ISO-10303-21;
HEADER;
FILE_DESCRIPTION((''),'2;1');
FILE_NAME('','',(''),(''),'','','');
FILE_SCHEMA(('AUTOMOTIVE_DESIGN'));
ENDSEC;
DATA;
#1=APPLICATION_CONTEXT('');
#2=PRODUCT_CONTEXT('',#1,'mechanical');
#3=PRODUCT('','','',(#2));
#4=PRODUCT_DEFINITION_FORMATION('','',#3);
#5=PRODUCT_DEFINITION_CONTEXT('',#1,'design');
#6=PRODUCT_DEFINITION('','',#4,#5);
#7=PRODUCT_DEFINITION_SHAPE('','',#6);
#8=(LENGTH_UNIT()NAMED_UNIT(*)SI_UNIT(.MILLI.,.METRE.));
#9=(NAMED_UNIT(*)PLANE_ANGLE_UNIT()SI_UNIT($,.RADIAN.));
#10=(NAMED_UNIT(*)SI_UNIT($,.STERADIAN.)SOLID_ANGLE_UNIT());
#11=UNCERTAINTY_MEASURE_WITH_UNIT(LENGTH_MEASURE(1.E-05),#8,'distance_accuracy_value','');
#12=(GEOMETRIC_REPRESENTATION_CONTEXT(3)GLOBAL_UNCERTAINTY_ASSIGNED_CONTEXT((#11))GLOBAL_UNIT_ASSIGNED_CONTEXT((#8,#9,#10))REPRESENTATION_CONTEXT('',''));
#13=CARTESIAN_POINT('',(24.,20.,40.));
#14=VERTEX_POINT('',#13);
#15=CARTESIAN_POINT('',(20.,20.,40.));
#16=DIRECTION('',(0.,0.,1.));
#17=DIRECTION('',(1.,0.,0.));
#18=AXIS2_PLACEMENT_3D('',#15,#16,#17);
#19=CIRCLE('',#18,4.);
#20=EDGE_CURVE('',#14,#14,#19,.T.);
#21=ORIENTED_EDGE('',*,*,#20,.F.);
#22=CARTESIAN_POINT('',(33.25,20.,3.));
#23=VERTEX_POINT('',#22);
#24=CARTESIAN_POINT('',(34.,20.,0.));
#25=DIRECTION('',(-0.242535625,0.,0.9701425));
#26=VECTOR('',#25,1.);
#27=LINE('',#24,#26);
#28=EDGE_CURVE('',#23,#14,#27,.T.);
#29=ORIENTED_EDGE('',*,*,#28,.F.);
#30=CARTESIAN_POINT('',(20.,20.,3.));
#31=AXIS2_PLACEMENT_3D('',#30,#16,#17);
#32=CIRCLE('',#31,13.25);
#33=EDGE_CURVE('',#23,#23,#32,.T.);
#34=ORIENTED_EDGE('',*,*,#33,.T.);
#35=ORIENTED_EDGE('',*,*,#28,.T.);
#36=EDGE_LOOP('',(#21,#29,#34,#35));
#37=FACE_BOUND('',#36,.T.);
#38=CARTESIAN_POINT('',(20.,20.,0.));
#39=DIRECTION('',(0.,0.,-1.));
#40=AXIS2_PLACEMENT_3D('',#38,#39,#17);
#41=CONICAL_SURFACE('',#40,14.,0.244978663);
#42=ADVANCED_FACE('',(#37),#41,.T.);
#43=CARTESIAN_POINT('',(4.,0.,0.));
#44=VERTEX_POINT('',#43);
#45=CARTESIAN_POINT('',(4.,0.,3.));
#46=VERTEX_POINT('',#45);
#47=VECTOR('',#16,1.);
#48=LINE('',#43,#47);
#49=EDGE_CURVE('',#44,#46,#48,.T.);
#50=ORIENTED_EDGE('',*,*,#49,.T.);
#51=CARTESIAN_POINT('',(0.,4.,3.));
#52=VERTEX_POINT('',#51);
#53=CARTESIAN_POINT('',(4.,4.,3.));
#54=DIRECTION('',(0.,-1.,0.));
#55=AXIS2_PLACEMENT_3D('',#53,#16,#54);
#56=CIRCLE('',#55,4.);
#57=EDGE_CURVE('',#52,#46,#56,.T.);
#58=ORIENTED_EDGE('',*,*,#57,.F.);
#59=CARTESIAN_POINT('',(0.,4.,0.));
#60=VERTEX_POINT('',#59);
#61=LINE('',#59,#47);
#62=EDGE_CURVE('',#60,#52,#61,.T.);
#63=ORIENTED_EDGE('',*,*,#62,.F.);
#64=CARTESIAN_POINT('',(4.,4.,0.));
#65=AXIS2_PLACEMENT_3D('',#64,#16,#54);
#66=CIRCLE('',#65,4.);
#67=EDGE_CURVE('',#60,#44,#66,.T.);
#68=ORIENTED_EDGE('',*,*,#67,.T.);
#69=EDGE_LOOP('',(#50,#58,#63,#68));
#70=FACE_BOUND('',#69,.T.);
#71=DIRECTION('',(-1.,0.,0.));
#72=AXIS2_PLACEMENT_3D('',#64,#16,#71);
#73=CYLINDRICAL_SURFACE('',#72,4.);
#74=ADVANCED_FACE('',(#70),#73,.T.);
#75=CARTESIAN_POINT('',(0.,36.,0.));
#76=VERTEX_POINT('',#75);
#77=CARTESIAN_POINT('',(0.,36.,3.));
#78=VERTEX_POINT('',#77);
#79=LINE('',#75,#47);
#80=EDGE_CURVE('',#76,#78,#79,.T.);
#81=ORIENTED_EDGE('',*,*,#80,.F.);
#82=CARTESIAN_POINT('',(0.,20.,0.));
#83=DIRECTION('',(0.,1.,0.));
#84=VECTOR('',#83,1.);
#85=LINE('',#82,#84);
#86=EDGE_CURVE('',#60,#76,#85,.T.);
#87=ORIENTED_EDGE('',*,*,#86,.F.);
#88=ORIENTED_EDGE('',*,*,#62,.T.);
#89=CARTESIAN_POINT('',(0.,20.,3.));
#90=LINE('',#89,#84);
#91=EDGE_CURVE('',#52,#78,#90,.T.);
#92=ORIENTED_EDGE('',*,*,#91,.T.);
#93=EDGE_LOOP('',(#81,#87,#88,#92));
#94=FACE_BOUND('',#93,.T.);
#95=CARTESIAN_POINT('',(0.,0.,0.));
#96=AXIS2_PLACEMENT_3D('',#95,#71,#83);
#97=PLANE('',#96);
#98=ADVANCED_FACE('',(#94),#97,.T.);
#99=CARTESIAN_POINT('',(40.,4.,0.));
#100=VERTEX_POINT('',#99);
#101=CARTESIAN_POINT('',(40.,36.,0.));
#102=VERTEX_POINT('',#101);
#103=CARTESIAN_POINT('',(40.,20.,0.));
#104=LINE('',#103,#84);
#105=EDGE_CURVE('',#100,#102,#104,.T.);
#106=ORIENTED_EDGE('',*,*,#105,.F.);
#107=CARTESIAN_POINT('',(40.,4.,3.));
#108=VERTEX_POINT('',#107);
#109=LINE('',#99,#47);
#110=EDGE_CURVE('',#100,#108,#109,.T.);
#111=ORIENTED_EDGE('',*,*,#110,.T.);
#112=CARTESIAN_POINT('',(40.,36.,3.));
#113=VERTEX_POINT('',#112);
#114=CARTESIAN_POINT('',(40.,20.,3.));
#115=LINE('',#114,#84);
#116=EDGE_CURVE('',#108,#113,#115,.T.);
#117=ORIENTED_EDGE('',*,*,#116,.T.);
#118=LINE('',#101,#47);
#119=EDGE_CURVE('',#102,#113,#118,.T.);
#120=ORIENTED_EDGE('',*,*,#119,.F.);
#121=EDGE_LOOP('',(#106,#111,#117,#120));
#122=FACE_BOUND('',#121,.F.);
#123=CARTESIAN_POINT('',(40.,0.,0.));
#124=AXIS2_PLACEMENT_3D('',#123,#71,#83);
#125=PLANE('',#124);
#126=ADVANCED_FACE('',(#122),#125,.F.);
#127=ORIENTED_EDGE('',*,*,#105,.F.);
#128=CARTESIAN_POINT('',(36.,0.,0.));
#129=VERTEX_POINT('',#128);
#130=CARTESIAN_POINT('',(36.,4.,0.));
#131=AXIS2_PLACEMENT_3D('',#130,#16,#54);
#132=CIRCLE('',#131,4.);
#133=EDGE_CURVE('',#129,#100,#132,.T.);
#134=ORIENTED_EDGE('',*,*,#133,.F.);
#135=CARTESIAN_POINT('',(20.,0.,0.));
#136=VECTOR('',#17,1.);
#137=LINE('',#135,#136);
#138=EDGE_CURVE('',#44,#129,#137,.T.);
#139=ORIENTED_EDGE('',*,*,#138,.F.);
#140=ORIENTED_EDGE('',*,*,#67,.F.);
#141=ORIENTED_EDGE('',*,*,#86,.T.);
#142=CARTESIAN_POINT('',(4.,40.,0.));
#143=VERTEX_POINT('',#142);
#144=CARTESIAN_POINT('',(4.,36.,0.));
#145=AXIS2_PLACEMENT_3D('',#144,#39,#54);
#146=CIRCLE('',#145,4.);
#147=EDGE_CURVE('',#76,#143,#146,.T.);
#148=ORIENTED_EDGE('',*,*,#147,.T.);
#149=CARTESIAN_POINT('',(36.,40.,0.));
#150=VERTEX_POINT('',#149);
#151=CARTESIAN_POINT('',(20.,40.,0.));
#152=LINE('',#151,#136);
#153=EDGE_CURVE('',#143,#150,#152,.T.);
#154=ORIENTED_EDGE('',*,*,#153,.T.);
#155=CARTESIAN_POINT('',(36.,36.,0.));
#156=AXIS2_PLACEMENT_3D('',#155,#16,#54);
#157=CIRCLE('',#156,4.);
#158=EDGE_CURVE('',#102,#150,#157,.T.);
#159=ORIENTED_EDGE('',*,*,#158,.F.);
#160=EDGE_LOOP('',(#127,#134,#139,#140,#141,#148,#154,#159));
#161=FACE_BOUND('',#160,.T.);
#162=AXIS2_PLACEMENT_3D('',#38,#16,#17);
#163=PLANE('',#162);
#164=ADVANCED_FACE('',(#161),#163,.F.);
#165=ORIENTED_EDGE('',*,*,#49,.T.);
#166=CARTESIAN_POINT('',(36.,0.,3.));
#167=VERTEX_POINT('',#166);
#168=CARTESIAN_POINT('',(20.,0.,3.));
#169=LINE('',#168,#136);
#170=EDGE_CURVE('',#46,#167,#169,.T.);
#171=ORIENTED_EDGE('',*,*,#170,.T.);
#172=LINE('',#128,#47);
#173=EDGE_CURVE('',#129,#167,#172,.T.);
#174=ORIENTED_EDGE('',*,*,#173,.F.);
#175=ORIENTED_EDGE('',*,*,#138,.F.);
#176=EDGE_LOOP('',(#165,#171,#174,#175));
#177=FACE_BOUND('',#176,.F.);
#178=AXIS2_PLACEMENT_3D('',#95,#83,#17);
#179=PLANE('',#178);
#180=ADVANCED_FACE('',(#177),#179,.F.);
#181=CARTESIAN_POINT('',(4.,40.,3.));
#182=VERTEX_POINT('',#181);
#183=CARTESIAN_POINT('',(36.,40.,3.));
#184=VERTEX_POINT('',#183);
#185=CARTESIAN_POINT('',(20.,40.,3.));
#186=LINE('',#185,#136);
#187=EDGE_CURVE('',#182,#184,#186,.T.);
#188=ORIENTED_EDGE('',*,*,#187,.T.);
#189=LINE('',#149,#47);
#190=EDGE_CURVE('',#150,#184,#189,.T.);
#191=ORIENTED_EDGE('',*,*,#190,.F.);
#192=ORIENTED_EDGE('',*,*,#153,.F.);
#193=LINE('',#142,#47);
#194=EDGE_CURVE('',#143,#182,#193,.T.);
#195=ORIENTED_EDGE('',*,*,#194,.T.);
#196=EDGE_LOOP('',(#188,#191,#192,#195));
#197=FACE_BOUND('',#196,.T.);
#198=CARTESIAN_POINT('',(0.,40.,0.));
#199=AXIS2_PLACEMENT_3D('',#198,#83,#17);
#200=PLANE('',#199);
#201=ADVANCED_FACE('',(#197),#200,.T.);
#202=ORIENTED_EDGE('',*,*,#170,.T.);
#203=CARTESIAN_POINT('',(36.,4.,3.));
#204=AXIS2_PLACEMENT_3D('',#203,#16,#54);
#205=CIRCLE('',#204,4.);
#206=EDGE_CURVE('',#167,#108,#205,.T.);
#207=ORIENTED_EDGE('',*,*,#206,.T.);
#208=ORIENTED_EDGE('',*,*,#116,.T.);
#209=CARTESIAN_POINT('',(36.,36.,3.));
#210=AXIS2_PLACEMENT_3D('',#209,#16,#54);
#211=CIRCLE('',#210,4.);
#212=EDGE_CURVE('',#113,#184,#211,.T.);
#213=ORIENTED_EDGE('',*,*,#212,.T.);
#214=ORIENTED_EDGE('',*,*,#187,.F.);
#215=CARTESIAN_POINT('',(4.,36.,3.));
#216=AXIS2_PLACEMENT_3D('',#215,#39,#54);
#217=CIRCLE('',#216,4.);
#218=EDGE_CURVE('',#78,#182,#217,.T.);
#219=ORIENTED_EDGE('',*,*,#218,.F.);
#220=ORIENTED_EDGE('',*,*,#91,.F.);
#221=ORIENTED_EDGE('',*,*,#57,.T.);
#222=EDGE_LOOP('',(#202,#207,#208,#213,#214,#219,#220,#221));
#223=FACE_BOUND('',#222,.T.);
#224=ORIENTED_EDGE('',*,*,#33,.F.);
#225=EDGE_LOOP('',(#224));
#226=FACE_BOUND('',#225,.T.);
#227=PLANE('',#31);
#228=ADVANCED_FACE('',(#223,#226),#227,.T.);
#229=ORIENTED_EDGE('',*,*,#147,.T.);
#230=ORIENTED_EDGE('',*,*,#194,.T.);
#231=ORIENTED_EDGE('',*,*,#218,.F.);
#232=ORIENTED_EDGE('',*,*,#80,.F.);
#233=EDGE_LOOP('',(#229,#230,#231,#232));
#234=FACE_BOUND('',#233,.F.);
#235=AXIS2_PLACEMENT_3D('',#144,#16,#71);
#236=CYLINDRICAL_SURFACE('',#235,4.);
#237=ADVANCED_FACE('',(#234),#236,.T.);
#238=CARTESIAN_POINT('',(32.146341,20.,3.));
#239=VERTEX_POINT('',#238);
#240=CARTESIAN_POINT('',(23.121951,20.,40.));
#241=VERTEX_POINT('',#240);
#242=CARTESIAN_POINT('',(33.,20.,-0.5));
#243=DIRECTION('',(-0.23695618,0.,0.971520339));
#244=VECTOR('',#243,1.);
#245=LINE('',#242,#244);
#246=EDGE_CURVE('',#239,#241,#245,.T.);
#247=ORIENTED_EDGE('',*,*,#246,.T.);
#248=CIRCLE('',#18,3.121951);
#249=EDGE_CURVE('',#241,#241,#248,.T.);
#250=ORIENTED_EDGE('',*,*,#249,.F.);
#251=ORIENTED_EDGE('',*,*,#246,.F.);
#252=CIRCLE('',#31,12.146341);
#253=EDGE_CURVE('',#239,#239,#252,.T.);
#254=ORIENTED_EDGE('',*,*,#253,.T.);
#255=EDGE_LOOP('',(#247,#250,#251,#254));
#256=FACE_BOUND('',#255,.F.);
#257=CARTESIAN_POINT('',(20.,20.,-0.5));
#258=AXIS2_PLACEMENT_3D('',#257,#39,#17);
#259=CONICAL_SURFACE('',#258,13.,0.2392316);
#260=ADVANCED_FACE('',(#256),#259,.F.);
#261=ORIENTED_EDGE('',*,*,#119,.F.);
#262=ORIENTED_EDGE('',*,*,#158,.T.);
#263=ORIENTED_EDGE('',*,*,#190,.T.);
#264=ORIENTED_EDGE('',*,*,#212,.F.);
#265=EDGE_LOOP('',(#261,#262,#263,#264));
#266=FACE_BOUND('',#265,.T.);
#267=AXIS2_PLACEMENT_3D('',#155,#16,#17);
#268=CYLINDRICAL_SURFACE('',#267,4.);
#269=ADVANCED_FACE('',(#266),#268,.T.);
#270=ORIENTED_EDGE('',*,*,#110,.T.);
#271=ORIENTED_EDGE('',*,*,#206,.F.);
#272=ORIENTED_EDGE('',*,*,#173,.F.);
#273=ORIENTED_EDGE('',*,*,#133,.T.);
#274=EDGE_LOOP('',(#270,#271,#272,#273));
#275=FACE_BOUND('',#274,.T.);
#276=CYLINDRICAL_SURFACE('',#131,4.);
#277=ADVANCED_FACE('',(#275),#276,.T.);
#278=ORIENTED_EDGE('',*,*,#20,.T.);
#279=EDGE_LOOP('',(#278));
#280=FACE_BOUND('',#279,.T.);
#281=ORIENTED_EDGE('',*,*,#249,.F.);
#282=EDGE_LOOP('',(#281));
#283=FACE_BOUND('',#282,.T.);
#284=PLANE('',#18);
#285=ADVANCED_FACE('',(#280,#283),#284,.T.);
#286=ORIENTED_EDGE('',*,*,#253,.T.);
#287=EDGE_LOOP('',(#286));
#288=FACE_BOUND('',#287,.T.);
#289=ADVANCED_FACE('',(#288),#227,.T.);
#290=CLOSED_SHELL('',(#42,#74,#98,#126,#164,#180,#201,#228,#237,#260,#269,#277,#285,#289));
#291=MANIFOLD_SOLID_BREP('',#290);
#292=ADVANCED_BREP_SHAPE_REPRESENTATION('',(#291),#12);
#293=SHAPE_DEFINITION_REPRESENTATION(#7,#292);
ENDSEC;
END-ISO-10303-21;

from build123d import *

# Parameters (mm, degrees)
BOX_W     = 40
BOX_H     = 40
BOX_DEPTH = 3
FILLET_R  = 4


with BuildPart() as con001:
    # Cone001 → Cone001 (revolve)
    with BuildSketch(Plane(origin=(20, 20, -0.5), x_dir=(1, 0, 0), z_dir=(0, -1, 0))):
        Polygon((0, 0), (13, 0), (3, 41), (0, 41), align=None)
    revolve(axis=Axis((20, 20, -0.5), (0, 0, 1)))


with BuildPart() as cut:
    # Cone → Cone (revolve)
    with BuildSketch(Plane(origin=(20, 20, 0), x_dir=(1, 0, 0), z_dir=(0, -1, 0))):
        Polygon((0, 0), (14, 0), (4, 40), (0, 40), align=None)
    revolve(axis=Axis((20, 20, 0), (0, 0, 1)))

    # Cut: cut Con001
    add(con001.part, mode=Mode.SUBTRACT)


with BuildPart() as fusion:
    # Box → Box (new body)
    with BuildSketch(Plane.XY):
        with Locations((20, 20)):
            Rectangle(BOX_W, BOX_H)
    extrude(amount=BOX_DEPTH)

    # Fillet
    fillet_edges = [fusion.edges().sort_by_distance(p)[0] for p in [
        (0, 0, 1.5),
        (0, 40, 1.5),
        (40, 0, 1.5),
        (40, 40, 1.5),
    ]]
    fillet(fillet_edges, radius=FILLET_R)

    # Fusion: union Cut
    add(cut.part)


solid = fusion.part
